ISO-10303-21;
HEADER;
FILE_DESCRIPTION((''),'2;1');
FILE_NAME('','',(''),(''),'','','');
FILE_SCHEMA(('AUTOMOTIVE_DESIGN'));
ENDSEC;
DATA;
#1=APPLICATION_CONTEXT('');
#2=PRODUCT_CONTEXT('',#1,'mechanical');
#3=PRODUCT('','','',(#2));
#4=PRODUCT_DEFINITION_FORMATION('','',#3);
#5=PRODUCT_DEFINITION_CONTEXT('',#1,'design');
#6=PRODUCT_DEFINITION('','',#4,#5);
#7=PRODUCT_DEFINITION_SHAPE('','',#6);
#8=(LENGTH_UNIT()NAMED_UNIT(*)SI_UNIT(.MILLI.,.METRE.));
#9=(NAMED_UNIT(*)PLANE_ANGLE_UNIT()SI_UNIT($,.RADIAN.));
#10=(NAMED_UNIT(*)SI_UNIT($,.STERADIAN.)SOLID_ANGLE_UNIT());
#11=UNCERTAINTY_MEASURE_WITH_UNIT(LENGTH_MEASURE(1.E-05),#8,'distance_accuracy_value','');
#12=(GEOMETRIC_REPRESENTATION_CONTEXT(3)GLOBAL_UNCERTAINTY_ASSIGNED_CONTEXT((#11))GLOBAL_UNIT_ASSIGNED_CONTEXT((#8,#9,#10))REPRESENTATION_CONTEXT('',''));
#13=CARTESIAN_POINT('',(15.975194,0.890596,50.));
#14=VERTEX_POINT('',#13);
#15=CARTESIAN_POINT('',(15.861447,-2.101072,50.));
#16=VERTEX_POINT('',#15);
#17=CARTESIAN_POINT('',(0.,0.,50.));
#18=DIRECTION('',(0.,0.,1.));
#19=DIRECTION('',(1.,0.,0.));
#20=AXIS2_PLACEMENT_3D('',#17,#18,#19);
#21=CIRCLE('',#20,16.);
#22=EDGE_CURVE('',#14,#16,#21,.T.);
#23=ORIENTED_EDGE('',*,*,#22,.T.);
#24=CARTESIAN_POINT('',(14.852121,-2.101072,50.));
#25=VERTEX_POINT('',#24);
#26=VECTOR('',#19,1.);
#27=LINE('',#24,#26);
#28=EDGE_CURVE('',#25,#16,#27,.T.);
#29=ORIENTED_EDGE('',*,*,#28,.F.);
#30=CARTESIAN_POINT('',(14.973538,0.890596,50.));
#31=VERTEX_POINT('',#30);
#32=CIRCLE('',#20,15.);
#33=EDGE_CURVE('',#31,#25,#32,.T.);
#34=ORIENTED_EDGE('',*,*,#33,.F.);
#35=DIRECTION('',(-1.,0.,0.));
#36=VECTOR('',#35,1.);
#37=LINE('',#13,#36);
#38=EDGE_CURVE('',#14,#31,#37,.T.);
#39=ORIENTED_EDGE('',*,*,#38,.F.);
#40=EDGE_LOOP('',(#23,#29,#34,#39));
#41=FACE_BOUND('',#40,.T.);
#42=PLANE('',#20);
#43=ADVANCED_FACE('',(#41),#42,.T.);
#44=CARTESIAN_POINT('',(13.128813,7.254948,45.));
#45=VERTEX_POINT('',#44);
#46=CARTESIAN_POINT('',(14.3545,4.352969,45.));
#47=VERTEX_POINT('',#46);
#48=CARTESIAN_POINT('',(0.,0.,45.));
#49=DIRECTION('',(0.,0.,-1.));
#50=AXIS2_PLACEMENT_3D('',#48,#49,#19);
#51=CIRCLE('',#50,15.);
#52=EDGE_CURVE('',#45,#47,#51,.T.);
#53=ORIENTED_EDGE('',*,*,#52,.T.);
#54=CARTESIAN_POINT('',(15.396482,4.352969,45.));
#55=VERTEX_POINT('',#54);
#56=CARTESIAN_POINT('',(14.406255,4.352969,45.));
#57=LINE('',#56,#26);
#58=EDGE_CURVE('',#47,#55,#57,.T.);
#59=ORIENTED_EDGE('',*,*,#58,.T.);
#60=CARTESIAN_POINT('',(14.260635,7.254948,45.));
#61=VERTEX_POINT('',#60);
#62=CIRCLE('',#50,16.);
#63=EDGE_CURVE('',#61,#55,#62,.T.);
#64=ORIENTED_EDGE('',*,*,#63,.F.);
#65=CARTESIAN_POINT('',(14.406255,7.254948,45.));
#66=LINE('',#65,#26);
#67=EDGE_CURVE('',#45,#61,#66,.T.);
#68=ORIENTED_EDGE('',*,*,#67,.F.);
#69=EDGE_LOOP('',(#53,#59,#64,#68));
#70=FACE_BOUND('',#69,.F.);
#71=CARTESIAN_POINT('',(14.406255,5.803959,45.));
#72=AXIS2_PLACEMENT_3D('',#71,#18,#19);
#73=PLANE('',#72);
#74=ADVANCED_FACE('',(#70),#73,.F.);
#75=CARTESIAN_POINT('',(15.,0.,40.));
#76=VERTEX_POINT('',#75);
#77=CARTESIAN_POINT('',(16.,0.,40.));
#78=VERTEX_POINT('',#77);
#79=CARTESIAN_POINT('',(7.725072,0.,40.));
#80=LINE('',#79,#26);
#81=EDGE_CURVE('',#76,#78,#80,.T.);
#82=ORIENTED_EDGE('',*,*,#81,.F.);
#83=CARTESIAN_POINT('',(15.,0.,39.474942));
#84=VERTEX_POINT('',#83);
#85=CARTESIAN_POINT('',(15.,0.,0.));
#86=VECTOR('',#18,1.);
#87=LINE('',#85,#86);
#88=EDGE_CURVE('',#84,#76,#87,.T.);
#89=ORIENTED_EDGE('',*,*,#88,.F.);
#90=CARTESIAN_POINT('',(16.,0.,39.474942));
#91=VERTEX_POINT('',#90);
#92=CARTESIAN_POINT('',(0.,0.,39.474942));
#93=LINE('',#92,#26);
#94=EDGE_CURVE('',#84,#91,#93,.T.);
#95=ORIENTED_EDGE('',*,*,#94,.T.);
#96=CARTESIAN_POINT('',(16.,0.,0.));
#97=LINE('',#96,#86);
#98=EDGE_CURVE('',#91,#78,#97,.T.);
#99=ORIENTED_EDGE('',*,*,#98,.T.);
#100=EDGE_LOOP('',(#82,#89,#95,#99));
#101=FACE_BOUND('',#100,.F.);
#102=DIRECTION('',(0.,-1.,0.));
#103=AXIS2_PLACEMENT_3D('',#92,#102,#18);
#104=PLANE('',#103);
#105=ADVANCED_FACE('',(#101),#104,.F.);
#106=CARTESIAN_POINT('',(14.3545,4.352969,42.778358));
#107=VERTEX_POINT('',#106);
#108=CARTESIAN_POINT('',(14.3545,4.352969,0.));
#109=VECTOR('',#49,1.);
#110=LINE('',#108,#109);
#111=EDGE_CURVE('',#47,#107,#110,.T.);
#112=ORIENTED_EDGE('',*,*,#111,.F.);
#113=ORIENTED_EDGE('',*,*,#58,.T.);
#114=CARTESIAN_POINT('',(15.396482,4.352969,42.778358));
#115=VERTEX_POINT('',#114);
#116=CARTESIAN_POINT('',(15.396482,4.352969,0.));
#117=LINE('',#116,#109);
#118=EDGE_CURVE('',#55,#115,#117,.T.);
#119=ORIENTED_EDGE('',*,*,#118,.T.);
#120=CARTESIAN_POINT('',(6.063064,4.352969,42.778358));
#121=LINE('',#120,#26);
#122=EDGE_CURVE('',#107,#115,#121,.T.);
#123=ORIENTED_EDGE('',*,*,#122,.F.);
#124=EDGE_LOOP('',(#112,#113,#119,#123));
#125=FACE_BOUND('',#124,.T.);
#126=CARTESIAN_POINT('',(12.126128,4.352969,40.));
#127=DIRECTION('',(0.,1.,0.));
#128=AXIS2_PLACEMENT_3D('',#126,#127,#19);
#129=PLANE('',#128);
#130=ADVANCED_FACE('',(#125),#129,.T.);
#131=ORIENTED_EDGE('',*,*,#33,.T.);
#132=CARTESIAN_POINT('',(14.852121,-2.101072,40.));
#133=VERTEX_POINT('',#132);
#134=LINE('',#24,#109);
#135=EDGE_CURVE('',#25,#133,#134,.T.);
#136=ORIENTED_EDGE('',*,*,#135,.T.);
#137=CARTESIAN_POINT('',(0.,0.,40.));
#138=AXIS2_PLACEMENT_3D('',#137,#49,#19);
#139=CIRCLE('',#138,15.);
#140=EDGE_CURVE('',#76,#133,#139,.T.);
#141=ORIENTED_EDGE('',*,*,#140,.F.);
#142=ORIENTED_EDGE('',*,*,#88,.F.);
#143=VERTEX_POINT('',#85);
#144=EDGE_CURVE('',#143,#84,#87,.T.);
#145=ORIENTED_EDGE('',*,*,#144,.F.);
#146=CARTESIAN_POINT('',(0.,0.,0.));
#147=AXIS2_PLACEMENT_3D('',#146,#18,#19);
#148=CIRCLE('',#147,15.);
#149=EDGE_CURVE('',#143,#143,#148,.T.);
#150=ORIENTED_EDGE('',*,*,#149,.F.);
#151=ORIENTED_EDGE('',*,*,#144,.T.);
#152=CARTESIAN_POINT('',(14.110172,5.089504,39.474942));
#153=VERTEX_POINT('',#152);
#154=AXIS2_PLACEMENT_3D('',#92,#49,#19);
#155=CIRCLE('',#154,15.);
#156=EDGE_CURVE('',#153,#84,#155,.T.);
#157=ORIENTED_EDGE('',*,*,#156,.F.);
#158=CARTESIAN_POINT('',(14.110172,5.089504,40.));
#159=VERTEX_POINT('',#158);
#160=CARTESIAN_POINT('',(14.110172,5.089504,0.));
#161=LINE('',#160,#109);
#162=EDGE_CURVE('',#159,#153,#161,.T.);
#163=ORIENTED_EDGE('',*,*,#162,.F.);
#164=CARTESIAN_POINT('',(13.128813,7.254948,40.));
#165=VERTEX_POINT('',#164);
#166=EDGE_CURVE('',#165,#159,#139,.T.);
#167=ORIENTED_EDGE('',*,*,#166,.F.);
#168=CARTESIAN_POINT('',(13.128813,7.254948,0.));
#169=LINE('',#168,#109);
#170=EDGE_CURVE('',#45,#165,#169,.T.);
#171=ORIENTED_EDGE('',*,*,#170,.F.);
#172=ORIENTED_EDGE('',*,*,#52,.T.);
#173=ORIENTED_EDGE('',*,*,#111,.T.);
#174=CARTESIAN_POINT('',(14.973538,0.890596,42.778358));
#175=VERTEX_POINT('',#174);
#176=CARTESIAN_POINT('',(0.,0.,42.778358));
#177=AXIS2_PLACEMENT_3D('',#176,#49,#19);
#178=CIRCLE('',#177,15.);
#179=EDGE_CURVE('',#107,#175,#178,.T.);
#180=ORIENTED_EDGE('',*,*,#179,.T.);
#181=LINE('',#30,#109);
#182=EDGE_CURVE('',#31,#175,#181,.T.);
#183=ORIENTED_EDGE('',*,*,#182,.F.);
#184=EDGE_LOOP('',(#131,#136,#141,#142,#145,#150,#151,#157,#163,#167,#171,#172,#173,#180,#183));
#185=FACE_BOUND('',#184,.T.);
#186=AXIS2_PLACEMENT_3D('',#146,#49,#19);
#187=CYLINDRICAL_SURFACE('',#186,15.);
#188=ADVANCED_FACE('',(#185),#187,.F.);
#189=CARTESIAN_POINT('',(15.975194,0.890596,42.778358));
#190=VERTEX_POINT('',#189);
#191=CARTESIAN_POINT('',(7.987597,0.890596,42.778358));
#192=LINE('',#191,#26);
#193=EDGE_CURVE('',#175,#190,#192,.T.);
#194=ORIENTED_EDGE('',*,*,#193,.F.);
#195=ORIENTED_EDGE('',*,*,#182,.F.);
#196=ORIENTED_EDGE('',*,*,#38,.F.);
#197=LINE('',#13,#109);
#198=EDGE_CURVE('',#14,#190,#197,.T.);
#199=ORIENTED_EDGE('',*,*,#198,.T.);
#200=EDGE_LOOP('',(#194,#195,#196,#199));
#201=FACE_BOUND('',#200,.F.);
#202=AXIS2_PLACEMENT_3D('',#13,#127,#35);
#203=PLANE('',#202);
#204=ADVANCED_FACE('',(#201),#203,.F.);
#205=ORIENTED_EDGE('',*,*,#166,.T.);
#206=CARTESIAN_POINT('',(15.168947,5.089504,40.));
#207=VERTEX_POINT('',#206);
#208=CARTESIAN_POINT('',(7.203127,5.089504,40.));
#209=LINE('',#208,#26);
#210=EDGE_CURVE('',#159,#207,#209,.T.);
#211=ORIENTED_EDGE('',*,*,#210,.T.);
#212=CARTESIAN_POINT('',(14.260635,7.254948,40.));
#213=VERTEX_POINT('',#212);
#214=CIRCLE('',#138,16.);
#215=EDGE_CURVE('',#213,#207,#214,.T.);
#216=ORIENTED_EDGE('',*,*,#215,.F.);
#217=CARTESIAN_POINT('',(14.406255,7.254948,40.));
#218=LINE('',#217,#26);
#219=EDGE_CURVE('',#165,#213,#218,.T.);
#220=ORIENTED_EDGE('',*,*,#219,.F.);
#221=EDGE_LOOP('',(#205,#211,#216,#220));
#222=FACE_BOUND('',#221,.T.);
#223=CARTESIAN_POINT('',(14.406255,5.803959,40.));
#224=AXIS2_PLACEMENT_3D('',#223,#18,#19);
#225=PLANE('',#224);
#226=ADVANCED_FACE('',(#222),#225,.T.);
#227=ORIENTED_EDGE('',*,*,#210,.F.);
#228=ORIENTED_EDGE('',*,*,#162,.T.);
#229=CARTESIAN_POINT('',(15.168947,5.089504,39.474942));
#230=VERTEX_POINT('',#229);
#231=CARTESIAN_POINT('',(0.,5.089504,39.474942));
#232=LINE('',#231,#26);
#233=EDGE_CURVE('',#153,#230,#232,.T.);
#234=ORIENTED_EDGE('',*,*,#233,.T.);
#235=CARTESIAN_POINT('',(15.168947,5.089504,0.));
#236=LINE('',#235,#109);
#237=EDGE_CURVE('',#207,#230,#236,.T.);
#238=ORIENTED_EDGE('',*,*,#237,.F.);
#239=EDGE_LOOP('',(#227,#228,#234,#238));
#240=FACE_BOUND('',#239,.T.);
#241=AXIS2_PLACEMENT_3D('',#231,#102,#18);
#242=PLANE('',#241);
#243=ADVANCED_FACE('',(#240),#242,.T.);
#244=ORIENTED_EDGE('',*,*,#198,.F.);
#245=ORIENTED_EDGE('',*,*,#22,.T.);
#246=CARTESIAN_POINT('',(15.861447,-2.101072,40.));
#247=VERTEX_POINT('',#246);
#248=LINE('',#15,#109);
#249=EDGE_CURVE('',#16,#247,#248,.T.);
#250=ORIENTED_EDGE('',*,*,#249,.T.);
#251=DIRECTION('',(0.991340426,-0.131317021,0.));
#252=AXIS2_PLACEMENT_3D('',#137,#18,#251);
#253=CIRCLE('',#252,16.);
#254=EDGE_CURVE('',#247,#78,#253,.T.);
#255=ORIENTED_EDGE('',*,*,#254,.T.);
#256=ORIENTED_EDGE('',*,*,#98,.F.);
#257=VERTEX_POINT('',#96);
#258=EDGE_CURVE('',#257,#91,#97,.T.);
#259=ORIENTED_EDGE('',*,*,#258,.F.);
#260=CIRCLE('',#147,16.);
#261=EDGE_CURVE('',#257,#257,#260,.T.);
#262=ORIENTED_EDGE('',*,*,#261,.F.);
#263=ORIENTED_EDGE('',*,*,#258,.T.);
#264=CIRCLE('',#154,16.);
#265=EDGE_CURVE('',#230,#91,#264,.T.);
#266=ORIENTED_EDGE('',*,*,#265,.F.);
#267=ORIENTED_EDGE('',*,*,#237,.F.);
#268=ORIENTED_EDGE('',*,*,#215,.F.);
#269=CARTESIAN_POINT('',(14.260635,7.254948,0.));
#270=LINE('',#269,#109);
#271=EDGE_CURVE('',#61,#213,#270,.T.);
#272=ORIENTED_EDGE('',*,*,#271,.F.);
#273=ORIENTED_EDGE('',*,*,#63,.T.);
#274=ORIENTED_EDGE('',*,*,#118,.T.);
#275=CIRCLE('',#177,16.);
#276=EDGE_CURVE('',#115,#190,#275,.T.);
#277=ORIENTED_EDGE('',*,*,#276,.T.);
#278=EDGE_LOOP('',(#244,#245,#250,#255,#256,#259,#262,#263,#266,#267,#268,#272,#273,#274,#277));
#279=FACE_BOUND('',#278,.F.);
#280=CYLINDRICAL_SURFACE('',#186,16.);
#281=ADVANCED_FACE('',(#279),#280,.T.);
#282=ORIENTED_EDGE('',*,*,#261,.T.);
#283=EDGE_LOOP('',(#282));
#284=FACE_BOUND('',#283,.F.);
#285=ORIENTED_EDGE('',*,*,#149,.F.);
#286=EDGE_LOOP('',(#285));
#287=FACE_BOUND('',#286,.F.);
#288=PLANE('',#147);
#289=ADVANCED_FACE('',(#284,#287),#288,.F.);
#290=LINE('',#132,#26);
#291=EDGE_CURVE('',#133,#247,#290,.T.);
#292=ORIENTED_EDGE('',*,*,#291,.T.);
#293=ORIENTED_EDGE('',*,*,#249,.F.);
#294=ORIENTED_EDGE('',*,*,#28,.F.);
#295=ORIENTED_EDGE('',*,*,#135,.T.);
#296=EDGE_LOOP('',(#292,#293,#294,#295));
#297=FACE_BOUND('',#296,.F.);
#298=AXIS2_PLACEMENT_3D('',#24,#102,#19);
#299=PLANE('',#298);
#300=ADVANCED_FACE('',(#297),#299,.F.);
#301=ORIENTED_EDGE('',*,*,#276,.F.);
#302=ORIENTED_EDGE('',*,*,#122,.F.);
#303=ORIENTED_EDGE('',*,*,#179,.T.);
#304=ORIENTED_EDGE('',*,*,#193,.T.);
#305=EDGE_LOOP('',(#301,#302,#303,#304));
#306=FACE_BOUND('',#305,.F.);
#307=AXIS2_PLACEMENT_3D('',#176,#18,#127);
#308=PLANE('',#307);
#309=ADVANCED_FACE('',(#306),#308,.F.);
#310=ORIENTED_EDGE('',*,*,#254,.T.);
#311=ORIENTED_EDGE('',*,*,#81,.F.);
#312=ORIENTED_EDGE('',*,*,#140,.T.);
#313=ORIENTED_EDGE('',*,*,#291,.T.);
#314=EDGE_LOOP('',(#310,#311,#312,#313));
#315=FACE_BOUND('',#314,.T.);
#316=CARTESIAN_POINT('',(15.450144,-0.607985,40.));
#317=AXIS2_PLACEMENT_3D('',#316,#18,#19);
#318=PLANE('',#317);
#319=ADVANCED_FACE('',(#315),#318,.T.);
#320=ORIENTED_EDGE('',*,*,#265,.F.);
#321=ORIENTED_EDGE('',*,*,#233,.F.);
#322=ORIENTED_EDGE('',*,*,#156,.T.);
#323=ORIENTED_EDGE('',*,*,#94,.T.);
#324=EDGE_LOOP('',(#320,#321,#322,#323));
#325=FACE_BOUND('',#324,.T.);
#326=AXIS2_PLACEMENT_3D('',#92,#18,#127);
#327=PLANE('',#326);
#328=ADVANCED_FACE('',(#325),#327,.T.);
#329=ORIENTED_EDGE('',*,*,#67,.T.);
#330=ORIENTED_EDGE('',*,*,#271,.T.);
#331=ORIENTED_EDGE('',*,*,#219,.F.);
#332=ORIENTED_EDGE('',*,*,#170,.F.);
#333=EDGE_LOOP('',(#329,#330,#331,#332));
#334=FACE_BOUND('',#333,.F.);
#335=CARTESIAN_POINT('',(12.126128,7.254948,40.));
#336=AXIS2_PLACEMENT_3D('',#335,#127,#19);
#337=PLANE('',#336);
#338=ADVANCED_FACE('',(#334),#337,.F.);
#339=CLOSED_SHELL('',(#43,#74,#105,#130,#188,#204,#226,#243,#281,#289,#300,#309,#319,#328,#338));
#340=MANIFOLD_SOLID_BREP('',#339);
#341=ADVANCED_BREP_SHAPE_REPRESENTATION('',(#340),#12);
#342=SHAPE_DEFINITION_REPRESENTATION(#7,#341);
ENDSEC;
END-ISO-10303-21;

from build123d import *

# Parameters (mm, degrees)
F0_R     = 16
F0_R_2   = 15
F1_DEPTH = 50
F3_DEPTH = 10
F5_W     = 4.5602535829
F5_H     = 2.9019792564
F6_DEPTH = 5
F7_W     = 5.0895041786
F7_H     = 3.3034160733
F8_DEPTH = 49.4


with BuildPart() as f1:
    # F0 (on Top) → F1 (new body)
    with BuildSketch(Plane.XY):
        Circle(F0_R)
        Circle(F0_R_2, mode=Mode.SUBTRACT)
    extrude(amount=F1_DEPTH)

    # F2 (on face) → F3 (cut)
    with BuildSketch(Plane.XY.offset(50)):
        with BuildLine():
            Line((15.9751944562, 0.8905964787), (14.9735379224, 0.8905964787))
            ThreePointArc((14.9735379224, 0.8905964787), (14.9933830211, 0.4454947613), (15, 0))
            ThreePointArc((15, 0), (14.9629845517, -1.0531349891), (14.8521208926, -2.1010723431))
            Line((14.8521208926, -2.1010723431), (15.8614468132, -2.1010723431))
            ThreePointArc((15.8614468132, -2.1010723431), (15.9653241278, -1.0528178827), (16, 0))
            ThreePointArc((16, 0), (15.9937974118, 0.4454709314), (15.9751944562, 0.8905964787))
        make_face()
    extrude(amount=-F3_DEPTH, mode=Mode.SUBTRACT)

    # F5 (on offset) → F6 (cut)
    with BuildSketch(Plane.XY.offset(40)):
        with Locations((14.4062549807, 5.8039587457)):
            Rectangle(F5_W, F5_H)
    extrude(amount=F6_DEPTH, mode=Mode.SUBTRACT)

    # F7 (on Right) → F8 (cut)
    with BuildSketch(Plane.YZ):
        with Locations((2.5447520893, 41.1266498268)):
            Rectangle(F7_W, F7_H)
    extrude(amount=F8_DEPTH, mode=Mode.SUBTRACT)


solid = f1.part
